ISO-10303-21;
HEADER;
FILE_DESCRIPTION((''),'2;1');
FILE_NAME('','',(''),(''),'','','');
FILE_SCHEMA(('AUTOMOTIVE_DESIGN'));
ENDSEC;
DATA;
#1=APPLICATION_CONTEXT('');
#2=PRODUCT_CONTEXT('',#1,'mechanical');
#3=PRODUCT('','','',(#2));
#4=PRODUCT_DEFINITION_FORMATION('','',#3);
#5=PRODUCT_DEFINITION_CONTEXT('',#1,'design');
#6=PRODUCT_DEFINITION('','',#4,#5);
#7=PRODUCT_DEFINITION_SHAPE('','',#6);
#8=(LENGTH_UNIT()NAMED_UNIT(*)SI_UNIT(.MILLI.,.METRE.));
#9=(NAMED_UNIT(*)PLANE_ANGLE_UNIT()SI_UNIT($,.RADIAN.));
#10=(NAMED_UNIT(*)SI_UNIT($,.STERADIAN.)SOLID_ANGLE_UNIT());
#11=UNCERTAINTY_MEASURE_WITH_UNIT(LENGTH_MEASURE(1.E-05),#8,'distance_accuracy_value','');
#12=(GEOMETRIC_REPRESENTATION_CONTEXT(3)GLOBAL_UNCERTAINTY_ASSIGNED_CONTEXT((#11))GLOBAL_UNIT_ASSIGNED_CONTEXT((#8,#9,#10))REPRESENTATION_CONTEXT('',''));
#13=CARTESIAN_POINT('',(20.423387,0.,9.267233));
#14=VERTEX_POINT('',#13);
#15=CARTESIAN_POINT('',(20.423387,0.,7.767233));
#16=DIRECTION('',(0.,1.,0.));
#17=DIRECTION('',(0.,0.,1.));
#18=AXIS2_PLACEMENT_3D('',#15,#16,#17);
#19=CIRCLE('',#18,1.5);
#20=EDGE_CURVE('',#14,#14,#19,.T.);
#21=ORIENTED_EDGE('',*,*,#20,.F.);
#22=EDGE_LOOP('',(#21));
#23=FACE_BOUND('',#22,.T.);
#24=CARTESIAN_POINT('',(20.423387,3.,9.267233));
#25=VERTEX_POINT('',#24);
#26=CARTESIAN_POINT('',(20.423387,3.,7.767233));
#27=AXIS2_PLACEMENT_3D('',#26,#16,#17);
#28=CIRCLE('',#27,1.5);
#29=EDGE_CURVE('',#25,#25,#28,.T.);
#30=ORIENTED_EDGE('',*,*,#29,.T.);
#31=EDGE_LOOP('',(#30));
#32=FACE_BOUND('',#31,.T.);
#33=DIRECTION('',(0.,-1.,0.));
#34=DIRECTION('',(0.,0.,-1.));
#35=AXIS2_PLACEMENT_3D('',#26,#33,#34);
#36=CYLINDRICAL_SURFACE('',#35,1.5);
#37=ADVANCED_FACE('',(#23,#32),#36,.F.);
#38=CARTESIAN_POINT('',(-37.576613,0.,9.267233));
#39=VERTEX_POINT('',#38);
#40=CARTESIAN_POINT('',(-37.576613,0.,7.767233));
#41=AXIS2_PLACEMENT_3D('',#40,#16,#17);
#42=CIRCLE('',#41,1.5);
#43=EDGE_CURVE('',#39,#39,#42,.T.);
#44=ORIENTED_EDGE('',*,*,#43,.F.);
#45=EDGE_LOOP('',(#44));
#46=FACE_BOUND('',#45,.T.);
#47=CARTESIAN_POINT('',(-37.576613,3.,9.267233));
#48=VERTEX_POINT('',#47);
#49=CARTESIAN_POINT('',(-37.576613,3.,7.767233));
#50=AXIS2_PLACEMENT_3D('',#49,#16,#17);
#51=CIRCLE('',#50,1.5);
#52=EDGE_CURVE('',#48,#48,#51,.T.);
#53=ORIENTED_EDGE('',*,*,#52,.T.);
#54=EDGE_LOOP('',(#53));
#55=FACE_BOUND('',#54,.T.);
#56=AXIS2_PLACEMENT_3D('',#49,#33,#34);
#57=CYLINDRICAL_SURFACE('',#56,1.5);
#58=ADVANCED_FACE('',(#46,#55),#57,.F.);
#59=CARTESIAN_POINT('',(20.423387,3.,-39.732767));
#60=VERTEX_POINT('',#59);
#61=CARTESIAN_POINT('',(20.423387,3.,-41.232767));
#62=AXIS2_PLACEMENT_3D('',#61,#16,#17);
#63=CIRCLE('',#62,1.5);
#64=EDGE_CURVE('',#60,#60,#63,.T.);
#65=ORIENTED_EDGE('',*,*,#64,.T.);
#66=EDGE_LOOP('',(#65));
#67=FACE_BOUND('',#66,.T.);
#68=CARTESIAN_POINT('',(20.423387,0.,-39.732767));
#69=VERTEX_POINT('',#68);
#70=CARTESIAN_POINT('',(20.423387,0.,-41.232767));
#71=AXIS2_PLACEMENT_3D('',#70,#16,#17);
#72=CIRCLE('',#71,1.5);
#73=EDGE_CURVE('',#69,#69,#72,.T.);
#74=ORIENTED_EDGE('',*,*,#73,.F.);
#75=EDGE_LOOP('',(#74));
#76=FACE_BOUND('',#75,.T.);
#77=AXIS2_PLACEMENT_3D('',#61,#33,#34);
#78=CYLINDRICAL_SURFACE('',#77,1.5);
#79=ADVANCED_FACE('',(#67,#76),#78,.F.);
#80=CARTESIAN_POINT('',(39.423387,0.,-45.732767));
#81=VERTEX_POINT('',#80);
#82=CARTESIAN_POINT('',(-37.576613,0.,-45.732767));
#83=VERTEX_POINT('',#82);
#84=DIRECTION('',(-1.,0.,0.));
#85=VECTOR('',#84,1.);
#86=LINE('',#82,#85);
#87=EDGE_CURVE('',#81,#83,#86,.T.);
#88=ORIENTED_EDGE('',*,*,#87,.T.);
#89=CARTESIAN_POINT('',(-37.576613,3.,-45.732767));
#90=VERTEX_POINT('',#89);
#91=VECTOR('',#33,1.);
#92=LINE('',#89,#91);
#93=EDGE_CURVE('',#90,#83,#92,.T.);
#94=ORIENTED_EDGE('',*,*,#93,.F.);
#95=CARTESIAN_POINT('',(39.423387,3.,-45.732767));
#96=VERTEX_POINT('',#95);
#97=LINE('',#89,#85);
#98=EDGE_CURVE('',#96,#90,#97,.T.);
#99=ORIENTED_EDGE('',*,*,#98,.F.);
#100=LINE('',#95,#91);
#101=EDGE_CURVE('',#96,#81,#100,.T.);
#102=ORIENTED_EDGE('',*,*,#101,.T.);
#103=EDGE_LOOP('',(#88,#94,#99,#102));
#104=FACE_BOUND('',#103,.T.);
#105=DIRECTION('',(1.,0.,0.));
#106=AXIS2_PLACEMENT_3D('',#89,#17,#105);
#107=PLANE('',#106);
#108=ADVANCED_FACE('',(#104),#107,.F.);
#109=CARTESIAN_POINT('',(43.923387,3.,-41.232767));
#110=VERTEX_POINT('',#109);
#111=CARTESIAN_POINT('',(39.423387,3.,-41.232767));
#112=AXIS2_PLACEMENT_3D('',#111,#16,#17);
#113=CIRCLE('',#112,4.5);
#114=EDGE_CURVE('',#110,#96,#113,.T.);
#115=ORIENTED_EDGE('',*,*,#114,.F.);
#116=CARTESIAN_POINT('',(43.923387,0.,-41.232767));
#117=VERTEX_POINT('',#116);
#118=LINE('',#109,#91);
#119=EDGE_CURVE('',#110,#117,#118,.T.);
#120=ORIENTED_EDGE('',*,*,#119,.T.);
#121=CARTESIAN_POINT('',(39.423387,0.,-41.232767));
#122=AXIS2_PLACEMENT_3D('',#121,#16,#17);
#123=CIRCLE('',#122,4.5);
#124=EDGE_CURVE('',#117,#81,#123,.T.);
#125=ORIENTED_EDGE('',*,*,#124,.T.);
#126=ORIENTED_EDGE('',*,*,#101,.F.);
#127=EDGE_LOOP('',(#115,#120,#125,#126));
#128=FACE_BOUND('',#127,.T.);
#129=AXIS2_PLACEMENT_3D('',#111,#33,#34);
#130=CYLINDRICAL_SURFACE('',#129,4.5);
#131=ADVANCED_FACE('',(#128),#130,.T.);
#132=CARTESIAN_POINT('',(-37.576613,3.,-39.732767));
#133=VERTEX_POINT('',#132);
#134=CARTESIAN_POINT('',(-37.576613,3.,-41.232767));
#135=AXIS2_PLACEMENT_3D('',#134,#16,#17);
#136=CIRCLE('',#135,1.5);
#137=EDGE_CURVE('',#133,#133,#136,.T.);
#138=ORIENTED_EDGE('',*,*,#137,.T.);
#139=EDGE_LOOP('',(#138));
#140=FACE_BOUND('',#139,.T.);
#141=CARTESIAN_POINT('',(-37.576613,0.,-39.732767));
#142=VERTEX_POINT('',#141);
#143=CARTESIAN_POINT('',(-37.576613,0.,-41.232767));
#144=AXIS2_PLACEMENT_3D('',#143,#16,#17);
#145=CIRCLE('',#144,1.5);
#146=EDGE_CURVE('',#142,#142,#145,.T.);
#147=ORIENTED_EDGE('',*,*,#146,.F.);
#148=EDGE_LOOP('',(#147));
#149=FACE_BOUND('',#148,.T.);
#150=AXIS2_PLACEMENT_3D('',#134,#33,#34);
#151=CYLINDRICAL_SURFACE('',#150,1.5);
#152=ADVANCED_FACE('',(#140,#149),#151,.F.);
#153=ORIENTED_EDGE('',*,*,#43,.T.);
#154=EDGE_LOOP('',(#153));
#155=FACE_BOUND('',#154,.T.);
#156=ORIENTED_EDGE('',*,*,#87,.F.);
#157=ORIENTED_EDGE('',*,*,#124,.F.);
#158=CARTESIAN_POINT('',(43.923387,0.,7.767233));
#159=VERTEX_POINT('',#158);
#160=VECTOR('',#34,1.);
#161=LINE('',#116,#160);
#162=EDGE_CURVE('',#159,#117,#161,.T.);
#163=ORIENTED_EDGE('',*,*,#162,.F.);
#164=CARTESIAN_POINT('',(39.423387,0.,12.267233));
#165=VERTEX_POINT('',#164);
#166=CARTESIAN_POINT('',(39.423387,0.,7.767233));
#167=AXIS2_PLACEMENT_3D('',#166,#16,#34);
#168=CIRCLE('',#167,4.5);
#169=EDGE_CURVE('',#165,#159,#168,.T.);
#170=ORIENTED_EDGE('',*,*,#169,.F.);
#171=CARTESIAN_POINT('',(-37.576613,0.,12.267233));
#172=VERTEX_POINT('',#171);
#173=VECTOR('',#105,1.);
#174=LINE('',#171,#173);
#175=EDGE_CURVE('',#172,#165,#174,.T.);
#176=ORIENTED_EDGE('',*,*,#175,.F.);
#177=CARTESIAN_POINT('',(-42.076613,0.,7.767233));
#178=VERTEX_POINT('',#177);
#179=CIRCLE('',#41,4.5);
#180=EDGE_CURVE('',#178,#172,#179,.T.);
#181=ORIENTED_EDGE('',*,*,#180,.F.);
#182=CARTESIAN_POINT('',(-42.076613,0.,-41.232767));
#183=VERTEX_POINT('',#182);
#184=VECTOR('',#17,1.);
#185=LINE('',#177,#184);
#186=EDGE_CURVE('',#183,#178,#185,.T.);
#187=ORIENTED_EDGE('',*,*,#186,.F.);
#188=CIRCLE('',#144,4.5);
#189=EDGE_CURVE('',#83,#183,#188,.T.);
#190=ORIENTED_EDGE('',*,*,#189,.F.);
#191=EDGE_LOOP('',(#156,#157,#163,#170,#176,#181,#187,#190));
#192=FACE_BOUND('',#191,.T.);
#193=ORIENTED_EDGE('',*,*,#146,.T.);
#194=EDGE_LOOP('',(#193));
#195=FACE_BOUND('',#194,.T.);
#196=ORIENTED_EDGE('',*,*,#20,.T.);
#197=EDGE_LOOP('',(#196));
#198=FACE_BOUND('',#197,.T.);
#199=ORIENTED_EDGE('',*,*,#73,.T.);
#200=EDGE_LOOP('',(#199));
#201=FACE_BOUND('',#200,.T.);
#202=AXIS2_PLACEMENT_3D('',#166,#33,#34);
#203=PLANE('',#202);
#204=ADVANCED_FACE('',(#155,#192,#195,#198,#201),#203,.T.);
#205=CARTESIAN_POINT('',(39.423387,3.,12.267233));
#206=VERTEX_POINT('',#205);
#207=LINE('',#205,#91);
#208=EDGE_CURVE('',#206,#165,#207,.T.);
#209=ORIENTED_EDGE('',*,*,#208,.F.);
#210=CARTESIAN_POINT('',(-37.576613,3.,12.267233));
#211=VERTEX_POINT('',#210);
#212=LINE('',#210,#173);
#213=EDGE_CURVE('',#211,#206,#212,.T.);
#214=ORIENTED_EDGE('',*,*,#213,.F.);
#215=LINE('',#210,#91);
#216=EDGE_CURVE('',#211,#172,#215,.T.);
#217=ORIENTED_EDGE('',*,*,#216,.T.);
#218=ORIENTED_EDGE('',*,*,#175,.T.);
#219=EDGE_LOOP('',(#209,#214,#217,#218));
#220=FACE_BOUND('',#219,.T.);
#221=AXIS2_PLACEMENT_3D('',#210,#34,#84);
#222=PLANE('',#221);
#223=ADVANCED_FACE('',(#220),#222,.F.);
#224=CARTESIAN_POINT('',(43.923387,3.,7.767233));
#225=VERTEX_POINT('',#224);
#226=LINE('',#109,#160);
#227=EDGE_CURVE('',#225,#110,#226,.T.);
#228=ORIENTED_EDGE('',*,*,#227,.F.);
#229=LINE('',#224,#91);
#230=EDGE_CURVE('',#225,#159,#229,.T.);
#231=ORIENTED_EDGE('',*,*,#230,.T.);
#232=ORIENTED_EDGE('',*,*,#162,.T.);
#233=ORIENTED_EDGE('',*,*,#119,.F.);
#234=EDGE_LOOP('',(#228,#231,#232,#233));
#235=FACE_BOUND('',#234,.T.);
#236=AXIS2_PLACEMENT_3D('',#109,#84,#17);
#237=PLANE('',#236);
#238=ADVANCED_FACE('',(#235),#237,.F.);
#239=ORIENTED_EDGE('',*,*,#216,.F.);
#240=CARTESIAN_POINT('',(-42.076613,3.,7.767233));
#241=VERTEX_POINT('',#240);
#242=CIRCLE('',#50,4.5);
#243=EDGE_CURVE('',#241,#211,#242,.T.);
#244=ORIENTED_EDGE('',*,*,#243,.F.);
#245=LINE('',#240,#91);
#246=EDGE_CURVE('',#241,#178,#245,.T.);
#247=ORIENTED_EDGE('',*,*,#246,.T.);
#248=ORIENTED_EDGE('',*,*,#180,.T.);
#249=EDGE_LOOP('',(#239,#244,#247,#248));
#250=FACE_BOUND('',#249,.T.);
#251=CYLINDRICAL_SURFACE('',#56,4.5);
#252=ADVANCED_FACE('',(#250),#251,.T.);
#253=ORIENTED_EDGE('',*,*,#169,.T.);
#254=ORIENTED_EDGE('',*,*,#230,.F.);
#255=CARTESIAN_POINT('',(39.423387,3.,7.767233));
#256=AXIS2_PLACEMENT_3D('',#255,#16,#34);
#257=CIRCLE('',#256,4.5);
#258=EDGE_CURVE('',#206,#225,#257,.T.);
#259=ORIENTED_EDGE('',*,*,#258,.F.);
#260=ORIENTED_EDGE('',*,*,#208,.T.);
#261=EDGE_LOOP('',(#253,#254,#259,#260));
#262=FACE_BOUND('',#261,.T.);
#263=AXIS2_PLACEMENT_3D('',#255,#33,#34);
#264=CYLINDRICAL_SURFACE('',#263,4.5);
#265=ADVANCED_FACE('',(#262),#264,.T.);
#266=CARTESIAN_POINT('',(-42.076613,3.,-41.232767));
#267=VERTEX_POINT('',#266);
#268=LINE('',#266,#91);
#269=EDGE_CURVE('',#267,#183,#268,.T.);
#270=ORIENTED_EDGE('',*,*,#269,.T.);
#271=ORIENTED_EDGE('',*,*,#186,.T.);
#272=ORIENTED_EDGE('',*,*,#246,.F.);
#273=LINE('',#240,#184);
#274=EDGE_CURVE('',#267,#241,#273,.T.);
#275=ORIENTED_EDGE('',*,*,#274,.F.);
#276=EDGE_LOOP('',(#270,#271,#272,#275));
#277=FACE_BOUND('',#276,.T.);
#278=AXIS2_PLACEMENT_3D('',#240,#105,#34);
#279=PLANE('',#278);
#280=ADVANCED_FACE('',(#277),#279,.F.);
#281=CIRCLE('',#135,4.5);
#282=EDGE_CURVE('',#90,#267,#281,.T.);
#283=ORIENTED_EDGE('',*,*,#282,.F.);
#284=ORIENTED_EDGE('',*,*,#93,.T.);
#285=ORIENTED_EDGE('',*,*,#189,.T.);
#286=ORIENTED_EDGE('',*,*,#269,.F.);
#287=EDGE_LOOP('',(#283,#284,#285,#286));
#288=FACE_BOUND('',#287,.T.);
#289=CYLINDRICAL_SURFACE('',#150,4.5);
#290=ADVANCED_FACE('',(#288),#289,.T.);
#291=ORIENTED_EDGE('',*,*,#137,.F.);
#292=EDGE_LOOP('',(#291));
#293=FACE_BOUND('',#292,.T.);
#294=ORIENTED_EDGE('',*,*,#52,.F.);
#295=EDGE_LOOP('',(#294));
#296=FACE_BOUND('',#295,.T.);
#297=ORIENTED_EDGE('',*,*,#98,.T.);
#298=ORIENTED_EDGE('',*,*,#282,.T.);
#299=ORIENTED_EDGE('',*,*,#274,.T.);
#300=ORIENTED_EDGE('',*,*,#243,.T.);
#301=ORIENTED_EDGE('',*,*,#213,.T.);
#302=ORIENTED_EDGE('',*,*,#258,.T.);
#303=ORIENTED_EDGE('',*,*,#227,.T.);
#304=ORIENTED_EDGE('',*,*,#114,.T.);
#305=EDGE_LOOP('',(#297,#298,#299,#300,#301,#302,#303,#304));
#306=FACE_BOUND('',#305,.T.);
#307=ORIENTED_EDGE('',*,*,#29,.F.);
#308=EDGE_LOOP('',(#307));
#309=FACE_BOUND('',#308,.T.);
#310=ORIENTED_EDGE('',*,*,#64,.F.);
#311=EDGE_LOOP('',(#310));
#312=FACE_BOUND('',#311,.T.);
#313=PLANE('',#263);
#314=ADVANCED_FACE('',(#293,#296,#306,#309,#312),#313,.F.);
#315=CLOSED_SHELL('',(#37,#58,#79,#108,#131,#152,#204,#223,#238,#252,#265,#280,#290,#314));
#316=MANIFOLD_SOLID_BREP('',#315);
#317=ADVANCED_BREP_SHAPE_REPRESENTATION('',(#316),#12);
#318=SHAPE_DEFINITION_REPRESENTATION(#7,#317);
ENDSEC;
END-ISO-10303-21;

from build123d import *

# Parameters (mm, degrees)
SKETCH1_R           = 1.5
BOSS_EXTRUDE1_DEPTH = 3


with BuildPart() as part:
    # Sketch1 → Boss-Extrude1 (new body)
    with BuildSketch(Plane(origin=(0, 0, 0), x_dir=(1, 0, 0), z_dir=(0, 1, 0))):
        with BuildLine():
            Line((-42.076613259, -7.767232908), (-42.076613259, 41.232767092))
            ThreePointArc((-42.076613259, 41.232767092), (-40.758593774, 44.414747607), (-37.576613259, 45.732767092))
            Line((-37.576613259, 45.732767092), (39.423386741, 45.732767092))
            ThreePointArc((39.423386741, 45.732767092), (42.605367257, 44.414747607), (43.923386741, 41.232767092))
            Line((43.923386741, 41.232767092), (43.923386741, -7.767232908))
            ThreePointArc((43.923386741, -7.767232908), (42.605367257, -10.949213424), (39.423386741, -12.267232908))
            Line((39.423386741, -12.267232908), (-37.576613259, -12.267232908))
            ThreePointArc((-37.576613259, -12.267232908), (-40.758593774, -10.949213424), (-42.076613259, -7.767232908))
        make_face()
        with Locations(Location((-37.576613259, 41.232767092, 0), (0, 0, 270))):
            Circle(SKETCH1_R, mode=Mode.SUBTRACT)
        with Locations(Location((20.423386741, 41.232767092, 0), (0, 0, 270))):
            Circle(SKETCH1_R, mode=Mode.SUBTRACT)
        with Locations(Location((-37.576613259, -7.767232908, 0), (0, 0, 270))):
            Circle(SKETCH1_R, mode=Mode.SUBTRACT)
        with Locations(Location((20.423386741, -7.767232908, 0), (0, 0, 270))):
            Circle(SKETCH1_R, mode=Mode.SUBTRACT)
    extrude(amount=BOSS_EXTRUDE1_DEPTH)


solid = part.part
